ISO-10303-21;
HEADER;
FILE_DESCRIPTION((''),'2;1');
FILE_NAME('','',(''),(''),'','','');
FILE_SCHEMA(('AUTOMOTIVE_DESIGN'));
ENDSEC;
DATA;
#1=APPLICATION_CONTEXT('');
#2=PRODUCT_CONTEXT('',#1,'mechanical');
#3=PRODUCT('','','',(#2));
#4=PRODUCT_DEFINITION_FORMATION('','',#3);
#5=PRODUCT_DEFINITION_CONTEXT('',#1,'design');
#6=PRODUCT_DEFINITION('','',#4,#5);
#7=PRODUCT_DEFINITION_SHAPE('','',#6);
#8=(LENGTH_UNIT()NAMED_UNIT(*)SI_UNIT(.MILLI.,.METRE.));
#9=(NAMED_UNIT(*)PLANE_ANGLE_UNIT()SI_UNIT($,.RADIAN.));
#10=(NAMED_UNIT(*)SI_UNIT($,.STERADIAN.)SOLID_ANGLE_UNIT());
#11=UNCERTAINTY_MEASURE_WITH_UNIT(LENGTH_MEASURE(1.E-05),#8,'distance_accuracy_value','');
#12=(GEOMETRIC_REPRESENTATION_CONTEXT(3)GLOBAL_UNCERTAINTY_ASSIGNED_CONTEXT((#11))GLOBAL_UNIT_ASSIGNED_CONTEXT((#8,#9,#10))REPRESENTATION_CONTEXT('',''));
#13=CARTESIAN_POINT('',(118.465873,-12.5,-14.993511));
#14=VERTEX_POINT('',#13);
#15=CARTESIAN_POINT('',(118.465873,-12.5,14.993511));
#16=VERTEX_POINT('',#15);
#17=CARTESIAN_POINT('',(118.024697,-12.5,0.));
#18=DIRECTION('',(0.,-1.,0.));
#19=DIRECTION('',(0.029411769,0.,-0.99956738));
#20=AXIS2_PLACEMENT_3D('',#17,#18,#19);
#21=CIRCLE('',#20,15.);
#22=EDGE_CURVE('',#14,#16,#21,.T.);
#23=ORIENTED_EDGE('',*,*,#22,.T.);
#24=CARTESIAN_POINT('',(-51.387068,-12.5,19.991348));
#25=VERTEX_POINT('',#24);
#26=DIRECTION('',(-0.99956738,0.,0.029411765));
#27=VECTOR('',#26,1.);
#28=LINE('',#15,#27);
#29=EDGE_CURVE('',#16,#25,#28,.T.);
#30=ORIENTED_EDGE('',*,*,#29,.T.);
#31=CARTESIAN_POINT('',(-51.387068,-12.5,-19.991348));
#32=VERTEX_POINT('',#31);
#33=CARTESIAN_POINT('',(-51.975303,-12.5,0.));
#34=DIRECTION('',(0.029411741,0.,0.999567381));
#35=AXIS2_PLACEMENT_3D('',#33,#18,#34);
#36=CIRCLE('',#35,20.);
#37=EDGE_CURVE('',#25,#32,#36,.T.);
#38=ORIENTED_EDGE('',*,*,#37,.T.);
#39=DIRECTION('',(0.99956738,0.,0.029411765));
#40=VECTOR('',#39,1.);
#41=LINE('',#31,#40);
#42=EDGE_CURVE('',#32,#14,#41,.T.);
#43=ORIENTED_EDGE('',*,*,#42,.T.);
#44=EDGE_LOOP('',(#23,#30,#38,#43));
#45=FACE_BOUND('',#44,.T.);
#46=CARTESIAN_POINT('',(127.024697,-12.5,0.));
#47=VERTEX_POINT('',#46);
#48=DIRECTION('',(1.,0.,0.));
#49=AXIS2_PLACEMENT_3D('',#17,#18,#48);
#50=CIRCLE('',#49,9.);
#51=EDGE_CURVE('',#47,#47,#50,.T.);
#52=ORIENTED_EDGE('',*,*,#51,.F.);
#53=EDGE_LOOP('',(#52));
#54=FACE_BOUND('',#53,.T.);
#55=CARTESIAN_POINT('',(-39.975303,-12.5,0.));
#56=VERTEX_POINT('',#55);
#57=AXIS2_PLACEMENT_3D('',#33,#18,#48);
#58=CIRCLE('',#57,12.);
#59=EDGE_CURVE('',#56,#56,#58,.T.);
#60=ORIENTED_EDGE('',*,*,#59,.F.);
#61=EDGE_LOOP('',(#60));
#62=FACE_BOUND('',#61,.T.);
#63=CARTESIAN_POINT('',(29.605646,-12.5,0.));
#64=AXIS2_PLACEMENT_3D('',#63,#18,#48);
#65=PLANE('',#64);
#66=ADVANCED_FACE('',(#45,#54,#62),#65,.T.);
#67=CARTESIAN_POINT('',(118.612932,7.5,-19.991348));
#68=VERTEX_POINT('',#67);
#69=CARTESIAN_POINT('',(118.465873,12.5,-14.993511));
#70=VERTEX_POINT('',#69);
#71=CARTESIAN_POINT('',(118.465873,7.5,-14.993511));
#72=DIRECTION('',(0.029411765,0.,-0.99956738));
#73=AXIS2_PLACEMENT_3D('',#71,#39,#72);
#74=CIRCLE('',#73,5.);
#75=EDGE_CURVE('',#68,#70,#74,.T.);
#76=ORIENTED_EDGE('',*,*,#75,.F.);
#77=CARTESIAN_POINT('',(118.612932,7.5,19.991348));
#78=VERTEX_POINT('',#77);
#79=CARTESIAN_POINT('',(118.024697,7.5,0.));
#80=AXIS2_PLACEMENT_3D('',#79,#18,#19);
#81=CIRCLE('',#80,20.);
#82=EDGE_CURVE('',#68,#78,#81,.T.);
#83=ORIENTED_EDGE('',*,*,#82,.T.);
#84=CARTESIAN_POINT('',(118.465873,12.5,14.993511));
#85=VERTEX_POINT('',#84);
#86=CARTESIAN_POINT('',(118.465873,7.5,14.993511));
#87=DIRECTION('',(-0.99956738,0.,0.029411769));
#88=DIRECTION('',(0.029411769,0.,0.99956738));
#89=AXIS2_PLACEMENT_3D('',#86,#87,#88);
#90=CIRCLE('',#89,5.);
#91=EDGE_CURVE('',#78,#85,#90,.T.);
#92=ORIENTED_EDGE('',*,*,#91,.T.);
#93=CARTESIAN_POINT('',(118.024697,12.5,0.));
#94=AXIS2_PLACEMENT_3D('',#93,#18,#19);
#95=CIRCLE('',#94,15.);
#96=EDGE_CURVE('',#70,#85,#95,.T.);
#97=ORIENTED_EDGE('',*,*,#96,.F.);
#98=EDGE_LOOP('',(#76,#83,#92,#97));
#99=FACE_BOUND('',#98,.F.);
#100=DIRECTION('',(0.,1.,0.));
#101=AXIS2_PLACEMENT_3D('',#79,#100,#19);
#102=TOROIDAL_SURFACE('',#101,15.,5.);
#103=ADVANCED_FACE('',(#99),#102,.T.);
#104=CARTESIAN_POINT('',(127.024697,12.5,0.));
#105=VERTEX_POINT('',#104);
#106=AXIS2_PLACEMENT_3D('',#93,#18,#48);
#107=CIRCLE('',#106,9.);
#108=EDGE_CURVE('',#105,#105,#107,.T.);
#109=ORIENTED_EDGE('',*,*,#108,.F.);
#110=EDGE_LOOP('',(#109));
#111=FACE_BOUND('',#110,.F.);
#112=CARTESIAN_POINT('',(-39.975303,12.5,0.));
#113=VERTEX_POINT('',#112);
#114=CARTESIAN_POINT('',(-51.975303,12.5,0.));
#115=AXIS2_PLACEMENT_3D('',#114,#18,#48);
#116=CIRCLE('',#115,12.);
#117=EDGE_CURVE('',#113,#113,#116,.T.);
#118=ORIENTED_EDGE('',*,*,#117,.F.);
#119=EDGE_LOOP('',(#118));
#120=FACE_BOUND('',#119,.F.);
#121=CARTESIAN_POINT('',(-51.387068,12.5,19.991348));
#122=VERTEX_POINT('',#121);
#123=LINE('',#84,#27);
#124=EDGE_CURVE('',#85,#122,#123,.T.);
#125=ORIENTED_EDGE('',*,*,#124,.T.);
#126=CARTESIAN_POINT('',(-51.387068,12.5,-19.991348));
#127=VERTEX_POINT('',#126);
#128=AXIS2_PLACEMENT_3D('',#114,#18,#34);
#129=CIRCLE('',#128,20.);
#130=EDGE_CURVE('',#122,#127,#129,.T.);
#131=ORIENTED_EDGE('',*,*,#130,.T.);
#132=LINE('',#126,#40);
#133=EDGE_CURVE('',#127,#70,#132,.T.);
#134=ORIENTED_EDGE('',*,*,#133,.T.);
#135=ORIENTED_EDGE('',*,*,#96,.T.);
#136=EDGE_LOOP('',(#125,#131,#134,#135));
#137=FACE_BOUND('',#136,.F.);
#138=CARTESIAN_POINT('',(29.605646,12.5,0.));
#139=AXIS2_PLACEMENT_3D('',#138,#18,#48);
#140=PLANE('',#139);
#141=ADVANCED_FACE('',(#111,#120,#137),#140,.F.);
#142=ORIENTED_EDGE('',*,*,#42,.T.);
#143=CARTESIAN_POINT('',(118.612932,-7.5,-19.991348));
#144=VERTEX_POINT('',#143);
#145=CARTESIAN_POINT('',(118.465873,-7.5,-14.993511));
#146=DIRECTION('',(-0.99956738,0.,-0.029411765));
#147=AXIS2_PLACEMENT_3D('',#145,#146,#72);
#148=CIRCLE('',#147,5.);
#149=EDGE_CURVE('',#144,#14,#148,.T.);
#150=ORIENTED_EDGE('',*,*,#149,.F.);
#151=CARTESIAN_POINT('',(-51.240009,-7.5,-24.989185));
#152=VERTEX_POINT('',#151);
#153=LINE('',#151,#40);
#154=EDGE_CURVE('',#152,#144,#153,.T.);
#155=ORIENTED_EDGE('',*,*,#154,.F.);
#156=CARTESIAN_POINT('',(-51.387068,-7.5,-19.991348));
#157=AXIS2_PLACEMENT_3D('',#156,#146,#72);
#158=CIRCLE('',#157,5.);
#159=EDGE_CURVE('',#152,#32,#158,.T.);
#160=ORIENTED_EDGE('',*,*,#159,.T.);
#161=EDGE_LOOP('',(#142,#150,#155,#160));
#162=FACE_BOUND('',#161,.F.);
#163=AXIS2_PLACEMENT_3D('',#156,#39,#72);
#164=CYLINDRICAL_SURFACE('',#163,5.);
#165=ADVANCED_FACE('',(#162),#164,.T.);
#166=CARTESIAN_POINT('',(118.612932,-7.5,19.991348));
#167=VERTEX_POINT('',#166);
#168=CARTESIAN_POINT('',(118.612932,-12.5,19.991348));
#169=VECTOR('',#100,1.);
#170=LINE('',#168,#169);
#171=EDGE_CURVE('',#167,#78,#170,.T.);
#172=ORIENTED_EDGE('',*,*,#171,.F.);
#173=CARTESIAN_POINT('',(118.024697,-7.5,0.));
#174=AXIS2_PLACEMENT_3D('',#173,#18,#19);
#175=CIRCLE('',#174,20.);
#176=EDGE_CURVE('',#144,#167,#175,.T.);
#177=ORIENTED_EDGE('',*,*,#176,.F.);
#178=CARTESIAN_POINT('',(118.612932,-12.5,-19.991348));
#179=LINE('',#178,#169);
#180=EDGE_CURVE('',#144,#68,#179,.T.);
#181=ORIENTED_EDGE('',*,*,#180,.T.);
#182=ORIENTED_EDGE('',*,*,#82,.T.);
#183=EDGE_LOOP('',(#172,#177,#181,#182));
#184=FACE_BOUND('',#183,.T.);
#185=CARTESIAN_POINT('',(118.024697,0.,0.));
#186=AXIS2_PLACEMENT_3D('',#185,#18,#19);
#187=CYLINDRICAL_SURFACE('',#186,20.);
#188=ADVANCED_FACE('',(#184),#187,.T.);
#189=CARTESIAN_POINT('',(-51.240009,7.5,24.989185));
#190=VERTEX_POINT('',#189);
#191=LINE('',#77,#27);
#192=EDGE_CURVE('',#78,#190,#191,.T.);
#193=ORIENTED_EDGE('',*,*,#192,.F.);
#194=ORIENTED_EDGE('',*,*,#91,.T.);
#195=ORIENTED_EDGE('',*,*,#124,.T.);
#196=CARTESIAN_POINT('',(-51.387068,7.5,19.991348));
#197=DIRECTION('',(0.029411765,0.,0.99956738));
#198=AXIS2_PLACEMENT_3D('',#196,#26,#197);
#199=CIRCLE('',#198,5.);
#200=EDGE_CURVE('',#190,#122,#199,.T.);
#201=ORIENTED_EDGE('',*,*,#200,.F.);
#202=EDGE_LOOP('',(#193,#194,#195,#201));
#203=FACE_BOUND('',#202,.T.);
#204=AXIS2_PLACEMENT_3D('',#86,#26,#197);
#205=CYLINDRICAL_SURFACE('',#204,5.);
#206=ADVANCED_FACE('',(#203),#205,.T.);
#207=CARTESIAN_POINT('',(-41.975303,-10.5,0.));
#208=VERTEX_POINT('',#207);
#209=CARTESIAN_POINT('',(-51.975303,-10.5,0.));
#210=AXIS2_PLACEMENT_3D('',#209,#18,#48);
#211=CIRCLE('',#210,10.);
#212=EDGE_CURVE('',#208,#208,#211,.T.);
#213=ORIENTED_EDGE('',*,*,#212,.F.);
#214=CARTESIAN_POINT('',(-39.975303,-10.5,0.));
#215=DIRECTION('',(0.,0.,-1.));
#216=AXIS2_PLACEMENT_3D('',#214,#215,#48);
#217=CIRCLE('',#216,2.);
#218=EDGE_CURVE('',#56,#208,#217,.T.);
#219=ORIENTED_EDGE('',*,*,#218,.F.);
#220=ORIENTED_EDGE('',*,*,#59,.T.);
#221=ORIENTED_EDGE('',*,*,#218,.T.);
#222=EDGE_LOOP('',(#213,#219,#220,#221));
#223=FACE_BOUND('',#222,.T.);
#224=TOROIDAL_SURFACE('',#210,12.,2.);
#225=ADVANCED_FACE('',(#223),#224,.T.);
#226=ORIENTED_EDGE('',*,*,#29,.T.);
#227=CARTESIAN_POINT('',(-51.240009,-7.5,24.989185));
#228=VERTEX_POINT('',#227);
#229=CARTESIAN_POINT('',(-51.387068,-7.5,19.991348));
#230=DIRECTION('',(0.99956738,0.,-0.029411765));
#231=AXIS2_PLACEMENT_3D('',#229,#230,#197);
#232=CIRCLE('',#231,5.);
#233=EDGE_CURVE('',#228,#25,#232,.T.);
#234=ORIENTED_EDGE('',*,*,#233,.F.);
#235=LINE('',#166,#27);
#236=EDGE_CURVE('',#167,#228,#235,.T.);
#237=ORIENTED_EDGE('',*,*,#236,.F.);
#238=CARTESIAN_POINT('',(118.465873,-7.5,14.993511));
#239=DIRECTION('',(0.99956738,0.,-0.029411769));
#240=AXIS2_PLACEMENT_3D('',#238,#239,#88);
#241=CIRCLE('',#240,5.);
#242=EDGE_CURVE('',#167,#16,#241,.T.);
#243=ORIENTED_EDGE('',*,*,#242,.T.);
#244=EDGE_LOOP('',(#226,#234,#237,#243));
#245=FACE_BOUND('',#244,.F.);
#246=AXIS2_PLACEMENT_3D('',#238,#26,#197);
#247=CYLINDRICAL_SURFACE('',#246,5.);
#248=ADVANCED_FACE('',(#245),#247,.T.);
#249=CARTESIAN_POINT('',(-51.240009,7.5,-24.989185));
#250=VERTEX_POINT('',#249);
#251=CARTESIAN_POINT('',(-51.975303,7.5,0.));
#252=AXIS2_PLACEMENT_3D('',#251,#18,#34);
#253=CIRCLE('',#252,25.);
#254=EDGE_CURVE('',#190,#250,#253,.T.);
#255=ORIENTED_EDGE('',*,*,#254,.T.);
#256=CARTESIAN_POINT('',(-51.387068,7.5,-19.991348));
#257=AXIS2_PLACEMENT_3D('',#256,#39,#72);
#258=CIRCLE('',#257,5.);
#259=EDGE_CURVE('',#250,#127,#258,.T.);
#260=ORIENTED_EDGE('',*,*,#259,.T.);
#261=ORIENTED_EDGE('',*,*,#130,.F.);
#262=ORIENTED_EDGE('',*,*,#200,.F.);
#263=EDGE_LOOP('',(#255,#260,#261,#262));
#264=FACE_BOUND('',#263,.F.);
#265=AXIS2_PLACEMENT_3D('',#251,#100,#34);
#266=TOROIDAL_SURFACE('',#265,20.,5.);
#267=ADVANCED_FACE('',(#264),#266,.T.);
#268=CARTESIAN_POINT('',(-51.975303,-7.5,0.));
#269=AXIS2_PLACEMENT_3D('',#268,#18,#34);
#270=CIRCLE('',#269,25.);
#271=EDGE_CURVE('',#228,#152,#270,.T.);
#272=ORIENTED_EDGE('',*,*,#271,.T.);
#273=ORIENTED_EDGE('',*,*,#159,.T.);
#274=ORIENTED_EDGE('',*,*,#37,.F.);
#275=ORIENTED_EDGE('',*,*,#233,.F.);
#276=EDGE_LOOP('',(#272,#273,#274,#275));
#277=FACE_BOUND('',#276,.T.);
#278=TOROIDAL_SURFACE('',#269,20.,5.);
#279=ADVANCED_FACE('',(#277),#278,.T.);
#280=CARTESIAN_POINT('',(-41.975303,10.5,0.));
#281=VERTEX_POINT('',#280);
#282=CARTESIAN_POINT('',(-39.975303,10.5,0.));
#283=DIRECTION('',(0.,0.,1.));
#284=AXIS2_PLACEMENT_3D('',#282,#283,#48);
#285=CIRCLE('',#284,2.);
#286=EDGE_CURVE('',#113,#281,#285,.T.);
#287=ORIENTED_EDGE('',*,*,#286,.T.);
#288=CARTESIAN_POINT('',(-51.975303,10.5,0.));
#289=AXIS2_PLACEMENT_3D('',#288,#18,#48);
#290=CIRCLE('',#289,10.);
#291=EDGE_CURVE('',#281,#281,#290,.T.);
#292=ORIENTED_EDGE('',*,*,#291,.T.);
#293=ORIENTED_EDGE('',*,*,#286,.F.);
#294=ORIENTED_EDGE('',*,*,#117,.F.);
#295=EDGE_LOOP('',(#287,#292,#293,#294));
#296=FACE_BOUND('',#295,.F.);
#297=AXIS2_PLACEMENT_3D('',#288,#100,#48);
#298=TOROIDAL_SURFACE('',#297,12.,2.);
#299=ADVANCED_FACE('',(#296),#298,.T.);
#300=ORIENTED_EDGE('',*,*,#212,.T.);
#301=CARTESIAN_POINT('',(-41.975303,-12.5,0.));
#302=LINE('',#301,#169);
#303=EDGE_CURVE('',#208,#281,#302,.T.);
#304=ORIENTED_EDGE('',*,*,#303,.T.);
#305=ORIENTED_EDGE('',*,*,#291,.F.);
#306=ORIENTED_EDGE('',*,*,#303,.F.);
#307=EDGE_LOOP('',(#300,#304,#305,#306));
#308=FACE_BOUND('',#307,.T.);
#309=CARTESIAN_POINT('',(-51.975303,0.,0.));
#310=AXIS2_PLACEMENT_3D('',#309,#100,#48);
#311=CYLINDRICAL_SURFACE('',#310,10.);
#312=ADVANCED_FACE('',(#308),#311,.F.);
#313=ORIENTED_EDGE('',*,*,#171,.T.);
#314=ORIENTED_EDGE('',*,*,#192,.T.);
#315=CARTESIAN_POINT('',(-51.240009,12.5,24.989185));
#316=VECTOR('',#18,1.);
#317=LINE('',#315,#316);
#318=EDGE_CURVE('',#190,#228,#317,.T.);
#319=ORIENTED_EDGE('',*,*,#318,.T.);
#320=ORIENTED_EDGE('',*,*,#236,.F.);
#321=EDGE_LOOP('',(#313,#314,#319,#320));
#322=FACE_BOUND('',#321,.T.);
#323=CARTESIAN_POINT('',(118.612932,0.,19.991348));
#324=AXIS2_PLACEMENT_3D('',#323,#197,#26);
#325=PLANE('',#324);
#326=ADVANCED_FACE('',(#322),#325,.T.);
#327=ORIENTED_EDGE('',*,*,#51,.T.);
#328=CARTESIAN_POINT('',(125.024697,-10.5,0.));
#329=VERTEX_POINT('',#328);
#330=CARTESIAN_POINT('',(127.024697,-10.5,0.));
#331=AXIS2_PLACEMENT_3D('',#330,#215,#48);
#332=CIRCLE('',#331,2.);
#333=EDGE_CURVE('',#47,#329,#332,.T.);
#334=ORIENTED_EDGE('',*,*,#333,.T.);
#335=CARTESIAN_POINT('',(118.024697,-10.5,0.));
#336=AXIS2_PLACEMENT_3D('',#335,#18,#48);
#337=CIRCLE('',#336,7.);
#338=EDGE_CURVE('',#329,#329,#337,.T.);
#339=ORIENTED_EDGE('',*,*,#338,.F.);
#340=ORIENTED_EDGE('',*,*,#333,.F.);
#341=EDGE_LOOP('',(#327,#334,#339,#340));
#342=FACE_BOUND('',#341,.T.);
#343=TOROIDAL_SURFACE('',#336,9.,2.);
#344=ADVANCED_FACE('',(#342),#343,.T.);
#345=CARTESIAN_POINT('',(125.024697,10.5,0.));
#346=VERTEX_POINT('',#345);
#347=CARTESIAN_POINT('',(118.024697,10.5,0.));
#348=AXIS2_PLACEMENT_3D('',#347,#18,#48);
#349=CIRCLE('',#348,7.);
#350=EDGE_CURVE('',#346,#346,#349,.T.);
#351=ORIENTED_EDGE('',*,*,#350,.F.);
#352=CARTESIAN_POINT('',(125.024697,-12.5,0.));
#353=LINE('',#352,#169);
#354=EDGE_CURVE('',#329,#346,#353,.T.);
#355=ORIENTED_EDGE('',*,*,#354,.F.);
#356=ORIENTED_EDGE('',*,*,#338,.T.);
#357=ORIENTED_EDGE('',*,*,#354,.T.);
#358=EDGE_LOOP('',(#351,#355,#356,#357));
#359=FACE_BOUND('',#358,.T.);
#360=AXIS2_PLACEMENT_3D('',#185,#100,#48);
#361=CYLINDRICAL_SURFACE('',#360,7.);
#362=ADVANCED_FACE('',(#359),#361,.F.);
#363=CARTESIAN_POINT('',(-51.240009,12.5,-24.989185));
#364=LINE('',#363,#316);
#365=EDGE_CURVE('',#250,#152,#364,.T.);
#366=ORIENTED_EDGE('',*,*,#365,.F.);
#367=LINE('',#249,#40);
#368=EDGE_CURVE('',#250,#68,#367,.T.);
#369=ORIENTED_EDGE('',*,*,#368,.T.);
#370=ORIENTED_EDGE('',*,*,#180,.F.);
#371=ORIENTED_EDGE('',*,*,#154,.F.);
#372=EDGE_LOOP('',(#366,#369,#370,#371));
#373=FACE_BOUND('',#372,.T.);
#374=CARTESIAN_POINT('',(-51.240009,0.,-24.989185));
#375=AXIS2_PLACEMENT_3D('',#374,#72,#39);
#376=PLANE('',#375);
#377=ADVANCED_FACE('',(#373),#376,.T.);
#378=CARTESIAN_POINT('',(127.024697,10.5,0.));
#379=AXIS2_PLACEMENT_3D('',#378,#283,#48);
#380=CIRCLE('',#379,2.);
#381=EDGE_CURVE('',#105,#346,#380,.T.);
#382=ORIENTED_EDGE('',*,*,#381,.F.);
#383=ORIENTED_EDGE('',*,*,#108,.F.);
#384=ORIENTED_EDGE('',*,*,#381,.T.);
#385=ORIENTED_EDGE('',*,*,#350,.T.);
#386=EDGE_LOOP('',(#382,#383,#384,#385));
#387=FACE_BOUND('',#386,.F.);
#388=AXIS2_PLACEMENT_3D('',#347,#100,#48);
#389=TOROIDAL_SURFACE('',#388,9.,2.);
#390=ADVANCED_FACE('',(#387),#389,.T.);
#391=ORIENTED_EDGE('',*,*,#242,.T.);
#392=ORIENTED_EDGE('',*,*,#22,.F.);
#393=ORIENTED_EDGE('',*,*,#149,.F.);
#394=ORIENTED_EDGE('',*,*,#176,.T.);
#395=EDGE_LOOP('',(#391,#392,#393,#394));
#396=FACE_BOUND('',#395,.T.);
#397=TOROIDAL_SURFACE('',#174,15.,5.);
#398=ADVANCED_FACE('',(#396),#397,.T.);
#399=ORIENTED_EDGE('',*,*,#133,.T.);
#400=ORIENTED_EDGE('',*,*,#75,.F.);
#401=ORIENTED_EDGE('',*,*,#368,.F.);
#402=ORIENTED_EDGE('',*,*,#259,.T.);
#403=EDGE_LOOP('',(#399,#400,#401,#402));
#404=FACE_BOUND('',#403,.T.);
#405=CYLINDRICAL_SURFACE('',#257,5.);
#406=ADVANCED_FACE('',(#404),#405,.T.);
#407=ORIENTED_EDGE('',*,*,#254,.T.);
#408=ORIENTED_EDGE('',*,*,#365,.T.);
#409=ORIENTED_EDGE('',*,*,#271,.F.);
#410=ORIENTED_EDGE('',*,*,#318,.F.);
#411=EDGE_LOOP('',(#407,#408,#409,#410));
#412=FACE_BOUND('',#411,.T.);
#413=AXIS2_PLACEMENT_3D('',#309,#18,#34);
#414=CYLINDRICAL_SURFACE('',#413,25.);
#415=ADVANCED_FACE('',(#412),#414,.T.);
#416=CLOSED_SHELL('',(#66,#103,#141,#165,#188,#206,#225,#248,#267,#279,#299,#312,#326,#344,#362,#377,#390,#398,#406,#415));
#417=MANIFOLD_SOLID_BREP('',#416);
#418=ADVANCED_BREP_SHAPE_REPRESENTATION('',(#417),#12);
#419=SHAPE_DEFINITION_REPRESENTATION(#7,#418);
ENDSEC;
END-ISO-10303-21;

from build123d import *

# Parameters (mm, degrees)
F0_R     = 10
F0_R_2   = 7
F1_DEPTH = 12.5
F2_R     = 5
F3_R     = 2


with BuildPart() as f1:
    # F0 (on Front) → F1 (new body, symmetric)
    with BuildSketch(Plane.XZ):
        with BuildLine():
            Line((118.612932, 19.991348), (-51.240009, 24.989185))
            ThreePointArc((-51.240009, 24.989185), (-76.975303, 0), (-51.240009, -24.989185))
            Line((-51.240009, -24.989185), (118.612932, -19.991348))
            ThreePointArc((118.612932, -19.991348), (138.024697, 0), (118.612932, 19.991348))
        make_face()
        with Locations((-51.975303, 0)):
            Circle(F0_R, mode=Mode.SUBTRACT)
        with Locations((118.024697, 0)):
            Circle(F0_R_2, mode=Mode.SUBTRACT)
    extrude(amount=F1_DEPTH, both=True)

    # F2
    f2_edges = [f1.edges().sort_by_distance(p)[0] for p in [
        (33.686461, -12.5, -22.490266),
        (33.686461, -12.5, 22.490266),
        (33.686461, 12.5, -22.490266),
        (-76.975303, 12.5, 0),
    ]]
    fillet(f2_edges, radius=F2_R)

    # F3
    f3_edges = [f1.edges().sort_by_distance(p)[0] for p in [
        (-61.975303, -12.5, 0),
        (-61.975303, 12.5, 0),
        (111.024697, -12.5, 0),
        (125.024697, 0, 0),
        (111.024697, 12.5, 0),
    ]]
    fillet(f3_edges, radius=F3_R)


solid = f1.part
